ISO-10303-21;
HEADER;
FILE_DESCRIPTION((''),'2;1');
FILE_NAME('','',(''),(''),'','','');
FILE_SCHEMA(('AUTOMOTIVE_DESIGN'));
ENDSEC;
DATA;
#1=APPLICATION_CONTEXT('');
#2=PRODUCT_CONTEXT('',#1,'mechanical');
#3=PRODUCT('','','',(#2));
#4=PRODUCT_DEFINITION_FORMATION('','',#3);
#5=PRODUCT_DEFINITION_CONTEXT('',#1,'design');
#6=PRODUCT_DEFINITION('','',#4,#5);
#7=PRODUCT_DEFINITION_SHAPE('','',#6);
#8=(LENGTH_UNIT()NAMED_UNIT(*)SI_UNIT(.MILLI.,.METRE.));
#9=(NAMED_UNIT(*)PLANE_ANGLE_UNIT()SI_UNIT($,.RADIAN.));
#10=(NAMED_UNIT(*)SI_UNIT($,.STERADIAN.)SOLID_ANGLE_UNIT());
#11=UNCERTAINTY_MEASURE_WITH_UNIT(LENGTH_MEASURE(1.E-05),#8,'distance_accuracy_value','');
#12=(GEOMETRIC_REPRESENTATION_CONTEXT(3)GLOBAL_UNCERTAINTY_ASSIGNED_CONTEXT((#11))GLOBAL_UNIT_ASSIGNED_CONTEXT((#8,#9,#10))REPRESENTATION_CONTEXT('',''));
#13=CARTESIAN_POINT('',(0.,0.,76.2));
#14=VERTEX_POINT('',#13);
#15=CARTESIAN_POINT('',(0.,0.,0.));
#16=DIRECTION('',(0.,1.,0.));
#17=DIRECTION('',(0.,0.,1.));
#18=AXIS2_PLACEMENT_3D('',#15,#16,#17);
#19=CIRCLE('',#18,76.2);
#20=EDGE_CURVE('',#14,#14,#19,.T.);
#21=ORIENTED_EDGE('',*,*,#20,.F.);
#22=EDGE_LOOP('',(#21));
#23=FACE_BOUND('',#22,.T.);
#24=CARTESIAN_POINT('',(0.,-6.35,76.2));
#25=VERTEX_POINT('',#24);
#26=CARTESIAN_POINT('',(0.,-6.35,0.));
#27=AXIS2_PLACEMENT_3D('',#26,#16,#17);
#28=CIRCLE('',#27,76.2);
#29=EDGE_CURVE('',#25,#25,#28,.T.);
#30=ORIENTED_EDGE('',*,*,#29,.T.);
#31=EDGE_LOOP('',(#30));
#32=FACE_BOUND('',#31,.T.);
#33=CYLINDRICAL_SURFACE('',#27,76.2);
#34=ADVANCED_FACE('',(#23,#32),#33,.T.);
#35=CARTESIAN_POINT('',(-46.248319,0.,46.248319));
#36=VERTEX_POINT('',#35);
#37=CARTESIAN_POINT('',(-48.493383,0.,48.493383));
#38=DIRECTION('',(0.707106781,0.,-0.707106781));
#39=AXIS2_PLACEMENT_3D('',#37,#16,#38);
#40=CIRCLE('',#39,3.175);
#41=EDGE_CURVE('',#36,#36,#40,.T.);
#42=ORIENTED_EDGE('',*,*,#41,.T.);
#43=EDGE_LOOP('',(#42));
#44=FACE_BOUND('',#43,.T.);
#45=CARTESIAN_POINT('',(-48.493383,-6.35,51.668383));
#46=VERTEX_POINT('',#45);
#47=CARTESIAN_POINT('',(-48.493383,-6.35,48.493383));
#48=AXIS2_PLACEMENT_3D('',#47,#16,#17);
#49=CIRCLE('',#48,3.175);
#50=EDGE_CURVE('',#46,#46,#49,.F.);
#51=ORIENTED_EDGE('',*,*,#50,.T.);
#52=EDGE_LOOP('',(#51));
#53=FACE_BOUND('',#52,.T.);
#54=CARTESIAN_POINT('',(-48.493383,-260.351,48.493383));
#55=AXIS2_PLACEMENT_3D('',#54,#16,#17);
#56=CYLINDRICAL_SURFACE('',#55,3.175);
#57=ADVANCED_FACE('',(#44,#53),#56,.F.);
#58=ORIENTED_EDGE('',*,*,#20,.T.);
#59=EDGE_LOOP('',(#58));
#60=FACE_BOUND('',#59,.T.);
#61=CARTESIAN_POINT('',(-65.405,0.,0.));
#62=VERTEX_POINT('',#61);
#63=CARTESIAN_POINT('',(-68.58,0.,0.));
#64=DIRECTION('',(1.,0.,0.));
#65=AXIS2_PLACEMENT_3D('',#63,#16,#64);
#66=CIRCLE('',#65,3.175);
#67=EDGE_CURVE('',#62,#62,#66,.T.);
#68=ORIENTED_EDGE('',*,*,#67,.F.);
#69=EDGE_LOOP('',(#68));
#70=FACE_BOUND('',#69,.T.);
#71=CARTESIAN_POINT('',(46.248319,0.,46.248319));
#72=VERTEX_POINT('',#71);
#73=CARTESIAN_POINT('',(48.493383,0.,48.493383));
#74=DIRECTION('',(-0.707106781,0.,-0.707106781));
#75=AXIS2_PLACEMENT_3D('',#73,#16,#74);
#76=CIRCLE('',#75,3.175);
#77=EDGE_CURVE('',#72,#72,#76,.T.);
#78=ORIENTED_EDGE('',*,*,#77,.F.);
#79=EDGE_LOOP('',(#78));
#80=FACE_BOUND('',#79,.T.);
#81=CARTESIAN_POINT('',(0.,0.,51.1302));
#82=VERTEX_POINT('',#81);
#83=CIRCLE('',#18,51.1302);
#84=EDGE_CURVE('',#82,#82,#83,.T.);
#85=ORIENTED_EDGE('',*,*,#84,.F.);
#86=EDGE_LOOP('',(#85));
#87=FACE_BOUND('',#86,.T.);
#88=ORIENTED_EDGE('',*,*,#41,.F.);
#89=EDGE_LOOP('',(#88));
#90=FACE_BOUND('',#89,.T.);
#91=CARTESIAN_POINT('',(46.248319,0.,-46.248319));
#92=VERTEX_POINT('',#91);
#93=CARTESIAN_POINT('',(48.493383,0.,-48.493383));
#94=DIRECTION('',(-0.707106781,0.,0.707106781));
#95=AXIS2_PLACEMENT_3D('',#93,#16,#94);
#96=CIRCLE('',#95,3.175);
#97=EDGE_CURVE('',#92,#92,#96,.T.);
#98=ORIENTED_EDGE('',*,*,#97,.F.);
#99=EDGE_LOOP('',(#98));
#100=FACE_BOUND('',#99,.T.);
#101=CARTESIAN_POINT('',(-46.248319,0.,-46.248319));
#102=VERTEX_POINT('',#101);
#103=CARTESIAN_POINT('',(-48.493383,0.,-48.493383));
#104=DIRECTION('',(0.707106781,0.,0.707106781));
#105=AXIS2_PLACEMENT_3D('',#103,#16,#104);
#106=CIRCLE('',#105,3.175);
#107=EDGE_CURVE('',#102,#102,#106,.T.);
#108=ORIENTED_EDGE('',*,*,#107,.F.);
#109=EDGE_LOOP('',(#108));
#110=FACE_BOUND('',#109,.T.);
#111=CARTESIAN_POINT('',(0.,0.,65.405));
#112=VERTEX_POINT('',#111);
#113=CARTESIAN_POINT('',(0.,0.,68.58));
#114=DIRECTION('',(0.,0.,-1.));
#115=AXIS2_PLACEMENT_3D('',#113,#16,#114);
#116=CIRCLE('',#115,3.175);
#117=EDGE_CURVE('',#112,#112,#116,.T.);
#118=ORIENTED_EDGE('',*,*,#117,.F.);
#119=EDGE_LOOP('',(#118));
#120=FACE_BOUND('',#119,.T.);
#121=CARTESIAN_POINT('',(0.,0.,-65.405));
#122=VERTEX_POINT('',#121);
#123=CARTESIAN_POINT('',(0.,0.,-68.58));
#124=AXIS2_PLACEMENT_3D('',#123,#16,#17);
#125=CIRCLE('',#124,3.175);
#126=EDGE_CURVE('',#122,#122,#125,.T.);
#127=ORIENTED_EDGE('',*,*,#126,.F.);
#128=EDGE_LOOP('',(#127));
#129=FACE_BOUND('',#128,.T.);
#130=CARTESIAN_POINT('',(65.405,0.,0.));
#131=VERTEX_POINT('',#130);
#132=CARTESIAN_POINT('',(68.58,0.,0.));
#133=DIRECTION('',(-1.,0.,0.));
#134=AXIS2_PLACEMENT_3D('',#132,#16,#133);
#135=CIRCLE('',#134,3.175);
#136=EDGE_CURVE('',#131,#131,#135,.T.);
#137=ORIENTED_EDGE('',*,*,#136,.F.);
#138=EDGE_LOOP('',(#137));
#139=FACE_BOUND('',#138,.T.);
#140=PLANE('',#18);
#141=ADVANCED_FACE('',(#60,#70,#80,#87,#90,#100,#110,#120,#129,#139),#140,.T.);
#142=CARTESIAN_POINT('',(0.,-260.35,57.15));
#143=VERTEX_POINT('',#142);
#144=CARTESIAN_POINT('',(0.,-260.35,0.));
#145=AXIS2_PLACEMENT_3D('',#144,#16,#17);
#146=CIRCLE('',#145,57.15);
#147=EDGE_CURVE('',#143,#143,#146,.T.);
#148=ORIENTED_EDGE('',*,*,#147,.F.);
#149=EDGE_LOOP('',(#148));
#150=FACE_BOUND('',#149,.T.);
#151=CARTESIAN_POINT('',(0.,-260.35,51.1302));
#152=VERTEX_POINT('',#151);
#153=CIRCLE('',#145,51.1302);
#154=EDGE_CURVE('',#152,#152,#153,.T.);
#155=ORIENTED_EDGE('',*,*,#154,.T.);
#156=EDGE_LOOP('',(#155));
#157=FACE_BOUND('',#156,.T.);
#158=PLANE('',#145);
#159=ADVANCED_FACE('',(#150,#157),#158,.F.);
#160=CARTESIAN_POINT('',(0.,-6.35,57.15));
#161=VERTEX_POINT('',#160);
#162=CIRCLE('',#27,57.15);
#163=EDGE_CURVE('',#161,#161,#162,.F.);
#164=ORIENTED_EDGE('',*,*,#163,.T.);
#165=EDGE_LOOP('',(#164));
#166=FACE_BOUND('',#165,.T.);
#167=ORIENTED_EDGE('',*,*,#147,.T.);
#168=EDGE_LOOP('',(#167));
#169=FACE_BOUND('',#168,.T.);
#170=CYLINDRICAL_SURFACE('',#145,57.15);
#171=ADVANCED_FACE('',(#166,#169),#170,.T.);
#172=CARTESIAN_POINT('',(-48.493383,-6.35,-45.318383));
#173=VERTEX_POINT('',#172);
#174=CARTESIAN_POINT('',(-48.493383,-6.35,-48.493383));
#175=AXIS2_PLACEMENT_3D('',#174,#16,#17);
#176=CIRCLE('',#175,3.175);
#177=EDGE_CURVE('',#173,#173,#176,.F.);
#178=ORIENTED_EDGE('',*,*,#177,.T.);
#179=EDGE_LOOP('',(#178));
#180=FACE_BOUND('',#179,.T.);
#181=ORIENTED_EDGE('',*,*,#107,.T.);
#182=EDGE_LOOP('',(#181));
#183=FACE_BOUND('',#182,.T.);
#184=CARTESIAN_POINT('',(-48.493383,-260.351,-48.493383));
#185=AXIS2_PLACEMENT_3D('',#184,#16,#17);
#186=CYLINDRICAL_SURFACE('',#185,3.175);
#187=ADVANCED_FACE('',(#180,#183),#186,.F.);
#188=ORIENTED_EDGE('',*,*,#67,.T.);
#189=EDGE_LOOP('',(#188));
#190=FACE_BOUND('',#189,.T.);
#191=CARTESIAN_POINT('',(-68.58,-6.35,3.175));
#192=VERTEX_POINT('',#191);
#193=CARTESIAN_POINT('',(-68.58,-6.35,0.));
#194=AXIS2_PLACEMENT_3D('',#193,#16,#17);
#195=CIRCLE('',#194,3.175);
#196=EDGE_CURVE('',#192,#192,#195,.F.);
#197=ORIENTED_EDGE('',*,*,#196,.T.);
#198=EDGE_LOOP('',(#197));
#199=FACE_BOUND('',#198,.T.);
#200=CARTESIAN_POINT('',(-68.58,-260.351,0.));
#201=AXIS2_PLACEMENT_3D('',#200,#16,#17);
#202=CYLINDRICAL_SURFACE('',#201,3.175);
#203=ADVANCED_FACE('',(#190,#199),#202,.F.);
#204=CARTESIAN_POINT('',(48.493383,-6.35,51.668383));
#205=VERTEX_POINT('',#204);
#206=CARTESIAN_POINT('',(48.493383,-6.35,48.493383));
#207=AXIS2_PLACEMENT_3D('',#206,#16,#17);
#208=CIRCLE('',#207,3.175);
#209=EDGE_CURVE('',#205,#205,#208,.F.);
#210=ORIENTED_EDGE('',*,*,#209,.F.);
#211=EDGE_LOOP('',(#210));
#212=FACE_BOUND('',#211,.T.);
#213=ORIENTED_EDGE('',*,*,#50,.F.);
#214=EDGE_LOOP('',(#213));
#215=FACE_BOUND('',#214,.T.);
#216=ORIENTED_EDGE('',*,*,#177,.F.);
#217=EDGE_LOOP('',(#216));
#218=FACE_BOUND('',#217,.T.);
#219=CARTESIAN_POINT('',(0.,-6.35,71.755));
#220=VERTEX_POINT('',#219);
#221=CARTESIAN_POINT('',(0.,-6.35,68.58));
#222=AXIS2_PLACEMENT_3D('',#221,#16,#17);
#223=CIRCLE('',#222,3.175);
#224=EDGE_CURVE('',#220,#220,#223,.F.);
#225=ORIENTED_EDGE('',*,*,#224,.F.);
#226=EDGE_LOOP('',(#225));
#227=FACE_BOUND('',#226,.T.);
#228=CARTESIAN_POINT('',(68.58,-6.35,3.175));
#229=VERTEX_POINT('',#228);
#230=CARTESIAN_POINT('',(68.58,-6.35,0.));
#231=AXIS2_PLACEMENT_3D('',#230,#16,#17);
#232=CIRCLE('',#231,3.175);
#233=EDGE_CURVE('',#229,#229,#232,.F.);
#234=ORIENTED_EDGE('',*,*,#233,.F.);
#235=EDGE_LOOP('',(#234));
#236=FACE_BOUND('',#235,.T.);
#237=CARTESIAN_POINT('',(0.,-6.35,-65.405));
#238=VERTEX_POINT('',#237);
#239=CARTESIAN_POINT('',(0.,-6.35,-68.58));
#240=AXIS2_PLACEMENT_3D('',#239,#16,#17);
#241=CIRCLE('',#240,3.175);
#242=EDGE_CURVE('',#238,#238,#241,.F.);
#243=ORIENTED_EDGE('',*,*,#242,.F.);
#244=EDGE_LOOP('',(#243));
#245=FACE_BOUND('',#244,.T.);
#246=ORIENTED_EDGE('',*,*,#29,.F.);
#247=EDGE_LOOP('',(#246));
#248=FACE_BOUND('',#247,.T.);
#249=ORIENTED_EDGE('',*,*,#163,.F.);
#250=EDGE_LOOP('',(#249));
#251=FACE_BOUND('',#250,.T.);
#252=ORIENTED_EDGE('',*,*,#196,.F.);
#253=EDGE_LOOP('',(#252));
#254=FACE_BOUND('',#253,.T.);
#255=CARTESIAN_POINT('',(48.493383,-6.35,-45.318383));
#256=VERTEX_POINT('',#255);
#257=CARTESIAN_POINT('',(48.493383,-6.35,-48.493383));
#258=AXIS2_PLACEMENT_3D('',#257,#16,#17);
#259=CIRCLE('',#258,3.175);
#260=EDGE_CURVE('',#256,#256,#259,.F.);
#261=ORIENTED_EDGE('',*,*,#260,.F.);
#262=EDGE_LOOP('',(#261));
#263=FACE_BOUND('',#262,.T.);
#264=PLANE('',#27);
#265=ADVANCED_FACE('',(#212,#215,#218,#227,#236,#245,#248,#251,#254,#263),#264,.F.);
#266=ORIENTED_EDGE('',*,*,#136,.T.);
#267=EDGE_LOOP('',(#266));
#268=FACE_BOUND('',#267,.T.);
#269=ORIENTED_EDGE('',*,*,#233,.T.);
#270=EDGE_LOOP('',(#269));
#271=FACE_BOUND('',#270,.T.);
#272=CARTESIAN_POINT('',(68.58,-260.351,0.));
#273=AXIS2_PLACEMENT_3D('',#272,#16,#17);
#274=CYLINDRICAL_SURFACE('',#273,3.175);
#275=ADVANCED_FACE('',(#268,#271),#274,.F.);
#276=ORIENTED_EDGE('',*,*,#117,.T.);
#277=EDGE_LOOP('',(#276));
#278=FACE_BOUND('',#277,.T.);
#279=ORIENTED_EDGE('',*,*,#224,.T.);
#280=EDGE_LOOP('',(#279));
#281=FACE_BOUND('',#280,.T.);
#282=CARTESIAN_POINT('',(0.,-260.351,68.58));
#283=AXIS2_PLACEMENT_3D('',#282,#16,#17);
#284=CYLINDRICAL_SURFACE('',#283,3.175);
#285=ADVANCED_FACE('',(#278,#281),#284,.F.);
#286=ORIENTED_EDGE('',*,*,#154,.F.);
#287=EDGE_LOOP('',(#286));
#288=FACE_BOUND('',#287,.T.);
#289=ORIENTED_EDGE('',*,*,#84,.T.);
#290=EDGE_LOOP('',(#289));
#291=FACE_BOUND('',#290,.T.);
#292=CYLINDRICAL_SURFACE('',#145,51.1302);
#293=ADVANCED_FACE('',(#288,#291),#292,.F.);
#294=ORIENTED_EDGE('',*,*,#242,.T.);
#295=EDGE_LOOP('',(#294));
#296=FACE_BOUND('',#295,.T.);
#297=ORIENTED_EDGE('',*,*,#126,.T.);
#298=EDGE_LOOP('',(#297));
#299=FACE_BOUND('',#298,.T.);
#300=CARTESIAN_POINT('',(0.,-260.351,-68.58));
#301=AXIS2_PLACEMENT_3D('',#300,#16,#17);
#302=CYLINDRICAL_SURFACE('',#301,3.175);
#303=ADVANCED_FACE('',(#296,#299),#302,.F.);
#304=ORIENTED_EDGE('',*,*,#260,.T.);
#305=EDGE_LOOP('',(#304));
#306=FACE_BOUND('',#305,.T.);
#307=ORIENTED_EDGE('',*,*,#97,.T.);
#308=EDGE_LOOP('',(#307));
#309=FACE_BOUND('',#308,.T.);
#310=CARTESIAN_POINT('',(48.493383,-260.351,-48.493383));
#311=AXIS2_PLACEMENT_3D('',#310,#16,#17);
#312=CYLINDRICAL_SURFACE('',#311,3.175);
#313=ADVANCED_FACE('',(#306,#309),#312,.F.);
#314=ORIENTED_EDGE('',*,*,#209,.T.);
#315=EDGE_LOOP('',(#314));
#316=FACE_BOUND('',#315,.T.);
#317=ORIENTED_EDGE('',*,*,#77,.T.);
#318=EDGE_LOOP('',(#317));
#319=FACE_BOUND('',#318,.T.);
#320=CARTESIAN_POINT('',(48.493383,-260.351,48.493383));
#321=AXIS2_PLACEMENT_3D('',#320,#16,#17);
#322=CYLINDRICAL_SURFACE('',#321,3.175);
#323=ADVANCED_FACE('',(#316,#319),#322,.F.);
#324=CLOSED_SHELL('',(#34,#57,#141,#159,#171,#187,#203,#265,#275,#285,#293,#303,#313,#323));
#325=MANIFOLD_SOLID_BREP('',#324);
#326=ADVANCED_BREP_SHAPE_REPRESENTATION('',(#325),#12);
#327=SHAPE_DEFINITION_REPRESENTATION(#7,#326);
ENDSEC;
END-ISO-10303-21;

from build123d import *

# Parameters (mm, degrees)
SKETCH1_R                = 57.15
SKETCH1_R_2              = 51.1302
SCHEDULED_CHAMBER_DEPTH  = 260.35
SKETCH2_R                = 76.2
SKETCH2_R_2              = 54.102
FLANGE_DEPTH             = 6.35
ORIGINAL_BOLT_HOLE_REACH = 283.771
SKETCH3_R                = 3.175
BOLT_HOLE_PATTERN_COUNT  = 8


with BuildPart() as part:
    # Sketch1 → Scheduled Chamber (new body)
    with BuildSketch(Plane(origin=(0, 0, 0), x_dir=(1, 0, 0), z_dir=(0, 1, 0))):
        Circle(SKETCH1_R)
        Circle(SKETCH1_R_2, mode=Mode.SUBTRACT)
    extrude(amount=-SCHEDULED_CHAMBER_DEPTH)

    # Sketch2 → Flange (add)
    with BuildSketch(Plane(origin=(0, 0, 0), x_dir=(1, 0, 0), z_dir=(0, 1, 0))):
        Circle(SKETCH2_R)
        Circle(SKETCH2_R_2, mode=Mode.SUBTRACT)
    extrude(amount=-FLANGE_DEPTH)

    # Sketch3 → Original Bolt Hole (cut, up to next)
    with BuildSketch(Plane(origin=(0, 0, 0), x_dir=(1, 0, 0), z_dir=(0, 1, 0)), mode=Mode.PRIVATE) as original_bolt_hole_sk1:
        with Locations((0, 68.58)):
            Circle(SKETCH3_R)
    original_bolt_hole_tool1 = extrude(original_bolt_hole_sk1.sketch, amount=-ORIGINAL_BOLT_HOLE_REACH, mode=Mode.PRIVATE) & part.part
    original_bolt_hole = original_bolt_hole_tool1.solids().sort_by_distance((0, 0, -68.58))[0]
    add(original_bolt_hole, mode=Mode.SUBTRACT)

    # Bolt Hole Pattern: Original Bolt Hole ×8 about axis
    bolt_hole_pattern_axis = Axis((0, 55, 0), (0, -1, 0))
    for i in range(1, BOLT_HOLE_PATTERN_COUNT):
        add(original_bolt_hole.rotate(bolt_hole_pattern_axis, i * 360 / BOLT_HOLE_PATTERN_COUNT), mode=Mode.SUBTRACT)


solid = part.part
